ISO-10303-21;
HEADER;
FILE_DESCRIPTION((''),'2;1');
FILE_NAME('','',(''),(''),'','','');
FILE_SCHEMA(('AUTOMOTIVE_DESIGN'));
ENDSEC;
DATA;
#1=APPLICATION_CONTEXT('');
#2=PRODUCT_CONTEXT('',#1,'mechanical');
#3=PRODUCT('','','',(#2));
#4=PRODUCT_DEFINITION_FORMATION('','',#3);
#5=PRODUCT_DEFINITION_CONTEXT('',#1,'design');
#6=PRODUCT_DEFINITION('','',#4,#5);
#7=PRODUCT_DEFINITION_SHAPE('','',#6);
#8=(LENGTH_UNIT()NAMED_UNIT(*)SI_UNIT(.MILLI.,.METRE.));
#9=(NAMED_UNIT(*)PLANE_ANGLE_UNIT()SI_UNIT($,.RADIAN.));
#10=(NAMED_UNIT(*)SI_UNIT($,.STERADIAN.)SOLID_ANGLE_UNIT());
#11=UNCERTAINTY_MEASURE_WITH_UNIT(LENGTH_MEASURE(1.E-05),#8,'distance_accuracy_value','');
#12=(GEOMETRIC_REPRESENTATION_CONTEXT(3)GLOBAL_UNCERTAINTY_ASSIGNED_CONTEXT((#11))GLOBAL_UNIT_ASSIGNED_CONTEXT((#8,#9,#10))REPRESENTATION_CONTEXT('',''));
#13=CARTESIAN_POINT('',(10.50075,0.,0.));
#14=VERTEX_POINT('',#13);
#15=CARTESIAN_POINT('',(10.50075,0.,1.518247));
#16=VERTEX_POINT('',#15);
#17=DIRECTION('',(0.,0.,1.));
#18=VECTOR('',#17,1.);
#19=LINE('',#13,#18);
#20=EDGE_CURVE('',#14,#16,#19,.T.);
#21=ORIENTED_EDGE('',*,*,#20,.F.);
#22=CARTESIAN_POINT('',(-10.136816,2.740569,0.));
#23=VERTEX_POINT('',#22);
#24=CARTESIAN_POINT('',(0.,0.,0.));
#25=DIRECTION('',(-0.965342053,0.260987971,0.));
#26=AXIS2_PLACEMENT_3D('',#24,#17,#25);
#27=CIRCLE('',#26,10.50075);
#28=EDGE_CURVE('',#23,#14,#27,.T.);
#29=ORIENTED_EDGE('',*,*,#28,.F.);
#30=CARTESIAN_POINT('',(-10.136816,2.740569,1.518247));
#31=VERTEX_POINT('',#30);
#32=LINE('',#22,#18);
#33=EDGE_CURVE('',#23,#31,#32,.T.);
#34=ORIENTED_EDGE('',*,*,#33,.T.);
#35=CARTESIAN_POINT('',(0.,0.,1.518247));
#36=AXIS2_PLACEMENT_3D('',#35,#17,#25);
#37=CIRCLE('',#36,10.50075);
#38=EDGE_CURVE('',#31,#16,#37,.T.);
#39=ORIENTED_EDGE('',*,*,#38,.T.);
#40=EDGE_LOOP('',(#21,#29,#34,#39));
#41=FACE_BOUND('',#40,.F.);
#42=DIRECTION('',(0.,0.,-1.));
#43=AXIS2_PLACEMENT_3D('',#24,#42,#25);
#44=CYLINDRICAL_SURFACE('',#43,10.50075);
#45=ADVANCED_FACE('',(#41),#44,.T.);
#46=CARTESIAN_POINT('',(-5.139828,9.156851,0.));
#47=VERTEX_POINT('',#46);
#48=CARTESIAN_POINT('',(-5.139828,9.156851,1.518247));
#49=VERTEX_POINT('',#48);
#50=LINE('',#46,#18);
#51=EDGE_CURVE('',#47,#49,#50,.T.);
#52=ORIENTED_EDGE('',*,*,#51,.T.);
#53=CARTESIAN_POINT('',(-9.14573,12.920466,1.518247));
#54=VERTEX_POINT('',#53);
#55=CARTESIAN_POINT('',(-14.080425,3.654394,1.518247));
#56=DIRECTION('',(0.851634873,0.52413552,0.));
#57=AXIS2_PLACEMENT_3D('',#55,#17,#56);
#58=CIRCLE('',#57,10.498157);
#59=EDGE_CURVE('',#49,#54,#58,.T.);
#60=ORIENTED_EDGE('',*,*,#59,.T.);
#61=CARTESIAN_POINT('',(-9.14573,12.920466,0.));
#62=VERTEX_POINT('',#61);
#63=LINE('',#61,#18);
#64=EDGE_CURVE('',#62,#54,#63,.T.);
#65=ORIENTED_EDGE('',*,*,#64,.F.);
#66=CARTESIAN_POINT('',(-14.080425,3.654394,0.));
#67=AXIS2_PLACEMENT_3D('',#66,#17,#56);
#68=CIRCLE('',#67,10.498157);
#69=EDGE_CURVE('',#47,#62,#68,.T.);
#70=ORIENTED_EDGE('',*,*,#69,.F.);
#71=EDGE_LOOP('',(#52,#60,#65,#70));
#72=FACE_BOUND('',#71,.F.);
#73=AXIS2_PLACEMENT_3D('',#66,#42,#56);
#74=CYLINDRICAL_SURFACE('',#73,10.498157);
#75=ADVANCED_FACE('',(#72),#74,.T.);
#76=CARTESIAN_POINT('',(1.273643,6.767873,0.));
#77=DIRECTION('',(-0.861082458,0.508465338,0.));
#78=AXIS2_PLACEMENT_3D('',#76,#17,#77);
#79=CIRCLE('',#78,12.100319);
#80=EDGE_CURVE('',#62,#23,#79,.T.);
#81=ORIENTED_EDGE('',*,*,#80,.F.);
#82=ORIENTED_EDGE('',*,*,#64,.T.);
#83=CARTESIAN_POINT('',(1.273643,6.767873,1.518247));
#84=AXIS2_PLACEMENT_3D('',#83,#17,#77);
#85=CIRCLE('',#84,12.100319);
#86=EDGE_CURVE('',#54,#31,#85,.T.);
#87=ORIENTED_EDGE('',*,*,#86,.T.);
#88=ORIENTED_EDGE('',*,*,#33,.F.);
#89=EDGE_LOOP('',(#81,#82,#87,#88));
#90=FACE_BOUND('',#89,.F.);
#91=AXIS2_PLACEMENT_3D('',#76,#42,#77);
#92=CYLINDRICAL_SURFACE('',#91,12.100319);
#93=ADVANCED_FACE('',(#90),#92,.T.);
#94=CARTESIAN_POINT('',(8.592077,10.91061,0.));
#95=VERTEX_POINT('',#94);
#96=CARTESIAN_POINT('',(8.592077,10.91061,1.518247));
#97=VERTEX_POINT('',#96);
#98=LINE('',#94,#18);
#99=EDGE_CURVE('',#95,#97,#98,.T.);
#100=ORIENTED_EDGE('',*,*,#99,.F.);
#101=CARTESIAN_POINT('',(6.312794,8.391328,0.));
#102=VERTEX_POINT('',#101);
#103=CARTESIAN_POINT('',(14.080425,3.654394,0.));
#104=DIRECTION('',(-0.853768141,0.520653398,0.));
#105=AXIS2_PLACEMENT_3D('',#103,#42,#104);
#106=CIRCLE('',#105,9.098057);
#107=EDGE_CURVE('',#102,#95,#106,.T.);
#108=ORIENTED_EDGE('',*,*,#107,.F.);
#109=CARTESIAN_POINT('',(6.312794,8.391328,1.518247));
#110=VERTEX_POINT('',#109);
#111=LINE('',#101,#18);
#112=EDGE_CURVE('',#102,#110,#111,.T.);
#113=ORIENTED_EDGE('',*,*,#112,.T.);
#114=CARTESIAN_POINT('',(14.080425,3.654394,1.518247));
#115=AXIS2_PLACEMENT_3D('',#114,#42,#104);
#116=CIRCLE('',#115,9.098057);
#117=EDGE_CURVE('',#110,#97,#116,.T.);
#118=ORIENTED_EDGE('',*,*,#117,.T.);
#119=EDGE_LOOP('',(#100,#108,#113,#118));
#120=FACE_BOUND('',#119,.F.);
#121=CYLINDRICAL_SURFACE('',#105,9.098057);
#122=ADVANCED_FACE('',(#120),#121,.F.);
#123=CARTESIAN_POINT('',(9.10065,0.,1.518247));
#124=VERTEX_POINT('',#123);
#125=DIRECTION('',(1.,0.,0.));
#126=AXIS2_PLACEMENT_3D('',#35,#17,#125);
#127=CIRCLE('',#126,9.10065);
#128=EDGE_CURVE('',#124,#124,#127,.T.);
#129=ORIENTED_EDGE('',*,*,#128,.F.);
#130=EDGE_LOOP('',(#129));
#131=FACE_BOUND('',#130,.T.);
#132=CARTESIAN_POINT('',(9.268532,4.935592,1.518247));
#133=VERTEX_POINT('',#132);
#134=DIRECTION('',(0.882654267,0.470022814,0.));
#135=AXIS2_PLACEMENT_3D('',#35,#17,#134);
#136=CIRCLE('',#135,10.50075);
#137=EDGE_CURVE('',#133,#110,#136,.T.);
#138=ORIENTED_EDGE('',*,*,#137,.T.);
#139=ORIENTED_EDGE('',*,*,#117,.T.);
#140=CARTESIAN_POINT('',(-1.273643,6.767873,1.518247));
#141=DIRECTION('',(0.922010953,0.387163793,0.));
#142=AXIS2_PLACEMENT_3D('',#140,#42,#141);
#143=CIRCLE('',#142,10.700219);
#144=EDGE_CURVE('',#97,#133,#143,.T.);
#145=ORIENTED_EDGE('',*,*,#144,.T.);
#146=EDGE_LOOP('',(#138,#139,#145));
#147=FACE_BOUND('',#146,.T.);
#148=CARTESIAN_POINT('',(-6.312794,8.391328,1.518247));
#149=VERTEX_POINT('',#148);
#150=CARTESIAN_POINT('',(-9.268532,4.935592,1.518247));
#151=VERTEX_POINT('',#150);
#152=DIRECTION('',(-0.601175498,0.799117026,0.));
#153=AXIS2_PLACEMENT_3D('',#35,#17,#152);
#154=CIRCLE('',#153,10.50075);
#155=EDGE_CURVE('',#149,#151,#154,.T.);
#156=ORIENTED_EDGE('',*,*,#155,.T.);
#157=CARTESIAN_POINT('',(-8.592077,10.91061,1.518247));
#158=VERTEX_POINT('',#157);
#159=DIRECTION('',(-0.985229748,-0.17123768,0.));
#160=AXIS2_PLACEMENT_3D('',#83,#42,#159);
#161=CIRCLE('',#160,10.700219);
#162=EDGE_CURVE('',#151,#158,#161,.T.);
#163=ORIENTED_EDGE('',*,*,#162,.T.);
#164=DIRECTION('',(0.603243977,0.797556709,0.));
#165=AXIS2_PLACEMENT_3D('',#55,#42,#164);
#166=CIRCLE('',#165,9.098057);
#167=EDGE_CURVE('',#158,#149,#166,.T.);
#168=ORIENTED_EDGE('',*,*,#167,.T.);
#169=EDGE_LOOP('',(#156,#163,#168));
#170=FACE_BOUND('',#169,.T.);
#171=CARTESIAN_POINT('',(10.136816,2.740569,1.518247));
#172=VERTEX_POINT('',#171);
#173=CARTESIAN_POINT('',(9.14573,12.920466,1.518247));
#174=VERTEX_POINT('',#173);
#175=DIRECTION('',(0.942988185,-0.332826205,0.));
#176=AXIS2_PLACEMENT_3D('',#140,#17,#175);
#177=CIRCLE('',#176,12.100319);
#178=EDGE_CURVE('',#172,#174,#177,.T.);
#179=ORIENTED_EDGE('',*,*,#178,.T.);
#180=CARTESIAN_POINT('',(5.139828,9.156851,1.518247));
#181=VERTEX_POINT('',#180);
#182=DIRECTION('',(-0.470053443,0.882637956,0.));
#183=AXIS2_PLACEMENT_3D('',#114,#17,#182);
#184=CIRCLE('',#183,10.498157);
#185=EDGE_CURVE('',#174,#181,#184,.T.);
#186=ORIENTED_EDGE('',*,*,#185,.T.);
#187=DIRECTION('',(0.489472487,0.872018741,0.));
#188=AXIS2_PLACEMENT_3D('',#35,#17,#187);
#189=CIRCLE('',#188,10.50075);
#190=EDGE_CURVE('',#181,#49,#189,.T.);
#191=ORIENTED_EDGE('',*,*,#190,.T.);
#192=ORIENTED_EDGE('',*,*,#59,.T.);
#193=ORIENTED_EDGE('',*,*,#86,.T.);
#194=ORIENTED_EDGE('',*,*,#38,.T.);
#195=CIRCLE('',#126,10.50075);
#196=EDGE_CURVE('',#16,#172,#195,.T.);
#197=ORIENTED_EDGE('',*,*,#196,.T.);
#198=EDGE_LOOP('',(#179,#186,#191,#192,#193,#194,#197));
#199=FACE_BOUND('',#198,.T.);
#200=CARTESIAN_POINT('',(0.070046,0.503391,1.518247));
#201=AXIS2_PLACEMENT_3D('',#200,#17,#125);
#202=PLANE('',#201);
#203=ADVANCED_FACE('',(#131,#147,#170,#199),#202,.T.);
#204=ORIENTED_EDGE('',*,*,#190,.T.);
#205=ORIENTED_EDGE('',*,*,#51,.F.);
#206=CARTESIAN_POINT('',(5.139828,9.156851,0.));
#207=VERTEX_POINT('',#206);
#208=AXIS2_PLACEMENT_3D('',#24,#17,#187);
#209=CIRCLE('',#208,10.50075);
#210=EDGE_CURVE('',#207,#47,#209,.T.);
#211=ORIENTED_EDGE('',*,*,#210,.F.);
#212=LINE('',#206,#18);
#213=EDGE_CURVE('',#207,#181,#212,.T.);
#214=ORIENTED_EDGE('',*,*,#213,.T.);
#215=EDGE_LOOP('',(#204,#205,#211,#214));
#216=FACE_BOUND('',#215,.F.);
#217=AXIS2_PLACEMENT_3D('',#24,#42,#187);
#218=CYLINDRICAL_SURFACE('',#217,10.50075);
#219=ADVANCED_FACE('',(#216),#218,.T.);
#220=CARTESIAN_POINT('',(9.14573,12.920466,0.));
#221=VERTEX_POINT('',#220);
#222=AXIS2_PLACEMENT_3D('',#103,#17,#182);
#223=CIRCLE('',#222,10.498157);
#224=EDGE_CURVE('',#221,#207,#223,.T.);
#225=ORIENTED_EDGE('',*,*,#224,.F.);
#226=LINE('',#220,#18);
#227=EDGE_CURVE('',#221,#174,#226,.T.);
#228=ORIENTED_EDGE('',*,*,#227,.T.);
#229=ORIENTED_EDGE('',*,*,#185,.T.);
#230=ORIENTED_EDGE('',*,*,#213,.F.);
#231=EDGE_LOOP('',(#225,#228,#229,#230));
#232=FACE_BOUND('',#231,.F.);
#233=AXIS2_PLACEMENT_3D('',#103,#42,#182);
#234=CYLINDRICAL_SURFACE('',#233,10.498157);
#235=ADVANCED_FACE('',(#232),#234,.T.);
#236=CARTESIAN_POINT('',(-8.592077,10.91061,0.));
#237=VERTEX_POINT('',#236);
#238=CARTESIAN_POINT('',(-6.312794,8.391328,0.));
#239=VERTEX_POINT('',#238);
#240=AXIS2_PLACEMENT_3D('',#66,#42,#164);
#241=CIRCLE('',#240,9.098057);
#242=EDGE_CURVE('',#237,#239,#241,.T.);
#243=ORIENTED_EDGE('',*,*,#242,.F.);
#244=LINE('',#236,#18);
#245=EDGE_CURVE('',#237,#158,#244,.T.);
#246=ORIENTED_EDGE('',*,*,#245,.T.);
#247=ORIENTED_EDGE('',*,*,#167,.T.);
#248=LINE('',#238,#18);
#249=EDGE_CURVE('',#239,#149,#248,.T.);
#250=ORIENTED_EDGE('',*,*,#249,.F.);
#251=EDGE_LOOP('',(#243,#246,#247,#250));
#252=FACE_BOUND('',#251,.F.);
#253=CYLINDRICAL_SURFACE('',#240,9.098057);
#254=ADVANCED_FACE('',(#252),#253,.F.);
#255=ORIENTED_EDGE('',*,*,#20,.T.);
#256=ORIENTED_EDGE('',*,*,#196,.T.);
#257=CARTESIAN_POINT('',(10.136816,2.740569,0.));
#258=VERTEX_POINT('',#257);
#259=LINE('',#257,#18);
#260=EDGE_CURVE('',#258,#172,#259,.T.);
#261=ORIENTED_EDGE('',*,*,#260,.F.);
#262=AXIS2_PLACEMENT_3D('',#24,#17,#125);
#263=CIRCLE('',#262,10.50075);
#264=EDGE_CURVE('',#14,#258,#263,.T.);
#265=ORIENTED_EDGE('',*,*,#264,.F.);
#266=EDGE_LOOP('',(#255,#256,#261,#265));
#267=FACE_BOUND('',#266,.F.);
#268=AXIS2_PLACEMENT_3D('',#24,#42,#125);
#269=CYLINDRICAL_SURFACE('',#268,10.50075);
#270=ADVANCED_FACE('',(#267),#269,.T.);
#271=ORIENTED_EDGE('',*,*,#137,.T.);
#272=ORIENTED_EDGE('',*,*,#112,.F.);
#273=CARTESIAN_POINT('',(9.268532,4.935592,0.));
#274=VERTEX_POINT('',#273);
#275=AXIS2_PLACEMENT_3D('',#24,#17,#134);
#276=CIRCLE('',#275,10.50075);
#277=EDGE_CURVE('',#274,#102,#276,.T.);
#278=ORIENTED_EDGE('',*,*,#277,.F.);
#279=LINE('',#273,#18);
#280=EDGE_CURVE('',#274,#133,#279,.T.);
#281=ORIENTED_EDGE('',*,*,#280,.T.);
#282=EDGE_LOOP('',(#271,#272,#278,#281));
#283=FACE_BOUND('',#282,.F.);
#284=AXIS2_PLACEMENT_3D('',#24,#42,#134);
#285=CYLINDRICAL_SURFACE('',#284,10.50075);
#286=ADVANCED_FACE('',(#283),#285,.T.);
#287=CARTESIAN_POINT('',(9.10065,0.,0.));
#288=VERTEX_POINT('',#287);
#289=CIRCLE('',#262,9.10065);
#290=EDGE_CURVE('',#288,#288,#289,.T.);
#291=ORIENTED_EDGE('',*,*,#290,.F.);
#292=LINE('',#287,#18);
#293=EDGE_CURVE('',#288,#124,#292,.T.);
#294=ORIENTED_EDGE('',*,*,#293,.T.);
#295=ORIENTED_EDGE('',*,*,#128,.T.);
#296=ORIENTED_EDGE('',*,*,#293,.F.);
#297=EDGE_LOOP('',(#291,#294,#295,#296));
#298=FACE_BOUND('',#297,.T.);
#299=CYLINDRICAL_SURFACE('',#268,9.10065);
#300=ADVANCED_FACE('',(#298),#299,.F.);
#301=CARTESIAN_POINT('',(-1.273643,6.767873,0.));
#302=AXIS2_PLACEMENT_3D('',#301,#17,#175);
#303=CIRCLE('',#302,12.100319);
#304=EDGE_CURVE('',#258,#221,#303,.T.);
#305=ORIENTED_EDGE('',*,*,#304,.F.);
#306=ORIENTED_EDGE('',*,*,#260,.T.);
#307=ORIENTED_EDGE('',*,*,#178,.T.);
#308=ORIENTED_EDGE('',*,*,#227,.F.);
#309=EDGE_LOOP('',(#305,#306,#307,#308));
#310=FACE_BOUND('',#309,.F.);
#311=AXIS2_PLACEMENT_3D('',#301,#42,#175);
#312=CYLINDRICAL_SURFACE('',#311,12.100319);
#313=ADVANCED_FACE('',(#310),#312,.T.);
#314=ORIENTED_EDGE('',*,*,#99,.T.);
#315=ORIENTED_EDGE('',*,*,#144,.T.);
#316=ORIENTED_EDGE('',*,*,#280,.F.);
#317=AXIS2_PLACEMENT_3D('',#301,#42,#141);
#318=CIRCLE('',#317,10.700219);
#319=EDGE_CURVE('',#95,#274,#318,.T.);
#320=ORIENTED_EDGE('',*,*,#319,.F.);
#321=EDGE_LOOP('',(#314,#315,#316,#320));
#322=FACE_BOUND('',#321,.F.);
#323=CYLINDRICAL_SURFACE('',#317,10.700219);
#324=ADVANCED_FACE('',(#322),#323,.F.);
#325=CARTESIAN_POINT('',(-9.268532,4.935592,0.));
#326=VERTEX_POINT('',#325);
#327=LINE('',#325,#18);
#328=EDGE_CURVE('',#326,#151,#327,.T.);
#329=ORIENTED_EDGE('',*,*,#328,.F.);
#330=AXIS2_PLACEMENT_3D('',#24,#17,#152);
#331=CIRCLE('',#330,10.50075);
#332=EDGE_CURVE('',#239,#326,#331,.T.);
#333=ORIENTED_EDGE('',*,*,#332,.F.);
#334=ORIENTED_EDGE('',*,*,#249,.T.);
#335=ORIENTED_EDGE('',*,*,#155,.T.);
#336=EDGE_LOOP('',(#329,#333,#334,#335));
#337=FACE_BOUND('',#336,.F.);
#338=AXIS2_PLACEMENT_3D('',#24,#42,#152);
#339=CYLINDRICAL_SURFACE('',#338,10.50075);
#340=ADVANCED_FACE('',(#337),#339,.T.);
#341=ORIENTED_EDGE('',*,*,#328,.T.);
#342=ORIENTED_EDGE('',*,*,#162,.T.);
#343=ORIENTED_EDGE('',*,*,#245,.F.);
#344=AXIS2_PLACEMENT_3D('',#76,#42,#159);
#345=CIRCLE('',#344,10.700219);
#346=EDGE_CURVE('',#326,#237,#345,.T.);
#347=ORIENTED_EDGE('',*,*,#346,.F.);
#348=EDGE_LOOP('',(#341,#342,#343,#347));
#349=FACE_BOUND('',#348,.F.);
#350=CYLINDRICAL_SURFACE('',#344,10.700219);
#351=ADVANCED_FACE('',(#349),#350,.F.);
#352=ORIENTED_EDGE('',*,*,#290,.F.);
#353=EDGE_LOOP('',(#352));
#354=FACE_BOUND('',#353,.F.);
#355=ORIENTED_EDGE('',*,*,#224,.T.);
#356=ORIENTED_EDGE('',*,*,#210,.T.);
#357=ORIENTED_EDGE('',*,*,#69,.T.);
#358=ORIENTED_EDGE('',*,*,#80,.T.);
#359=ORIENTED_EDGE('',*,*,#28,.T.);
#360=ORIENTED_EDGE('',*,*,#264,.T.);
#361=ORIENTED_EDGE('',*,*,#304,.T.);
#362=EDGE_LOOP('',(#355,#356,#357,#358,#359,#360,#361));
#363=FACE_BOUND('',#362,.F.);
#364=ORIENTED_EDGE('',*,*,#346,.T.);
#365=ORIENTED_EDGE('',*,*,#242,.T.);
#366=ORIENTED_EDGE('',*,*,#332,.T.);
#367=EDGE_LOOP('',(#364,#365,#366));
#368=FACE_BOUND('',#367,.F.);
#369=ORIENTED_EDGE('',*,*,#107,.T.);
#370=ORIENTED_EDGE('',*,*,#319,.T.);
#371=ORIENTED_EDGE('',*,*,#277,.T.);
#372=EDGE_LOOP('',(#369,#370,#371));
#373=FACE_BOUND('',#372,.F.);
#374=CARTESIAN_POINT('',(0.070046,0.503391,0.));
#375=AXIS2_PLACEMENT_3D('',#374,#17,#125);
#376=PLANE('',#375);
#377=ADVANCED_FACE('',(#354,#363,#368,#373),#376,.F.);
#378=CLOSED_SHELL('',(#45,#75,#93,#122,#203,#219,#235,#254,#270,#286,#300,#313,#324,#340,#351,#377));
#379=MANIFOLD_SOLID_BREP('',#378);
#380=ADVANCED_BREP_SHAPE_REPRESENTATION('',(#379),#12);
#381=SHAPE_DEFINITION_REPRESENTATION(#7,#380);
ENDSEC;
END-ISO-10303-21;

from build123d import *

# Parameters (mm, degrees)
F0_R     = 8.45
F1_DEPTH = 1.4097
F2_SCALE = 1.077


with BuildPart() as f1:
    # F0 (on Top) → F1 (new body)
    with BuildSketch(Plane.XY):
        with BuildLine():
            ThreePointArc((-9.4120850146, 2.5446327196), (-1.2834857046, -9.6651520653), (9.75, 0))
            ThreePointArc((9.75, 0), (9.6651520653, 1.2834857046), (9.4120850146, 2.5446327196))
            ThreePointArc((9.4120850146, 2.5446327196), (9.0664331541, 3.5864034718), (8.605879101, 4.5827224332))
            ThreePointArc((8.605879101, 4.5827224332), (7.4094447589, 6.3373991798), (5.8614611023, 7.791391002))
            ThreePointArc((5.8614611023, 7.791391002), (5.3287734744, 8.164966213), (4.7723567489, 8.5021827234))
            ThreePointArc((4.7723567489, 8.5021827234), (0, 9.75), (-4.7723567489, 8.5021827234))
            ThreePointArc((-4.7723567489, 8.5021827234), (-5.3287734744, 8.164966213), (-5.8614611023, 7.791391002))
            ThreePointArc((-5.8614611023, 7.791391002), (-7.4094447589, 6.3373991798), (-8.605879101, 4.5827224332))
            ThreePointArc((-8.605879101, 4.5827224332), (-9.0664331541, 3.5864034718), (-9.4120850146, 2.5446327196))
        make_face()
        Circle(F0_R, mode=Mode.SUBTRACT)
        with BuildLine():
            ThreePointArc((8.605879101, 4.5827224332), (9.0664331541, 3.5864034718), (9.4120850146, 2.5446327196))
            ThreePointArc((9.4120850146, 2.5446327196), (9.999754223, 7.3726847415), (8.4918571085, 11.9967184477))
            ThreePointArc((8.4918571085, 11.9967184477), (6.3993427589, 10.4971992084), (4.7723567489, 8.5021827234))
            ThreePointArc((4.7723567489, 8.5021827234), (5.3287734744, 8.164966213), (5.8614611023, 7.791391002))
            ThreePointArc((5.8614611023, 7.791391002), (6.8094710668, 9.0606335647), (7.9777872006, 10.1305573879))
            ThreePointArc((7.9777872006, 10.1305573879), (8.6895585627, 7.4016679461), (8.605879101, 4.5827224332))
        make_face()
        with BuildLine():
            ThreePointArc((-8.4918571085, 11.9967184477), (-9.999754223, 7.3726847415), (-9.4120850146, 2.5446327196))
            ThreePointArc((-9.4120850146, 2.5446327196), (-9.0664331541, 3.5864034718), (-8.605879101, 4.5827224332))
            ThreePointArc((-8.605879101, 4.5827224332), (-8.6895585627, 7.4016679461), (-7.9777872006, 10.1305573879))
            ThreePointArc((-7.9777872006, 10.1305573879), (-6.8094710668, 9.0606335647), (-5.8614611023, 7.791391002))
            ThreePointArc((-5.8614611023, 7.791391002), (-5.3287734744, 8.164966213), (-4.7723567489, 8.5021827234))
            ThreePointArc((-4.7723567489, 8.5021827234), (-6.3993427589, 10.4971992084), (-8.4918571085, 11.9967184477))
        make_face()
    extrude(amount=F1_DEPTH)


with BuildPart() as f1_1:
    # F2: moved
    add(f1.part.scale(F2_SCALE))


solid = f1_1.part
